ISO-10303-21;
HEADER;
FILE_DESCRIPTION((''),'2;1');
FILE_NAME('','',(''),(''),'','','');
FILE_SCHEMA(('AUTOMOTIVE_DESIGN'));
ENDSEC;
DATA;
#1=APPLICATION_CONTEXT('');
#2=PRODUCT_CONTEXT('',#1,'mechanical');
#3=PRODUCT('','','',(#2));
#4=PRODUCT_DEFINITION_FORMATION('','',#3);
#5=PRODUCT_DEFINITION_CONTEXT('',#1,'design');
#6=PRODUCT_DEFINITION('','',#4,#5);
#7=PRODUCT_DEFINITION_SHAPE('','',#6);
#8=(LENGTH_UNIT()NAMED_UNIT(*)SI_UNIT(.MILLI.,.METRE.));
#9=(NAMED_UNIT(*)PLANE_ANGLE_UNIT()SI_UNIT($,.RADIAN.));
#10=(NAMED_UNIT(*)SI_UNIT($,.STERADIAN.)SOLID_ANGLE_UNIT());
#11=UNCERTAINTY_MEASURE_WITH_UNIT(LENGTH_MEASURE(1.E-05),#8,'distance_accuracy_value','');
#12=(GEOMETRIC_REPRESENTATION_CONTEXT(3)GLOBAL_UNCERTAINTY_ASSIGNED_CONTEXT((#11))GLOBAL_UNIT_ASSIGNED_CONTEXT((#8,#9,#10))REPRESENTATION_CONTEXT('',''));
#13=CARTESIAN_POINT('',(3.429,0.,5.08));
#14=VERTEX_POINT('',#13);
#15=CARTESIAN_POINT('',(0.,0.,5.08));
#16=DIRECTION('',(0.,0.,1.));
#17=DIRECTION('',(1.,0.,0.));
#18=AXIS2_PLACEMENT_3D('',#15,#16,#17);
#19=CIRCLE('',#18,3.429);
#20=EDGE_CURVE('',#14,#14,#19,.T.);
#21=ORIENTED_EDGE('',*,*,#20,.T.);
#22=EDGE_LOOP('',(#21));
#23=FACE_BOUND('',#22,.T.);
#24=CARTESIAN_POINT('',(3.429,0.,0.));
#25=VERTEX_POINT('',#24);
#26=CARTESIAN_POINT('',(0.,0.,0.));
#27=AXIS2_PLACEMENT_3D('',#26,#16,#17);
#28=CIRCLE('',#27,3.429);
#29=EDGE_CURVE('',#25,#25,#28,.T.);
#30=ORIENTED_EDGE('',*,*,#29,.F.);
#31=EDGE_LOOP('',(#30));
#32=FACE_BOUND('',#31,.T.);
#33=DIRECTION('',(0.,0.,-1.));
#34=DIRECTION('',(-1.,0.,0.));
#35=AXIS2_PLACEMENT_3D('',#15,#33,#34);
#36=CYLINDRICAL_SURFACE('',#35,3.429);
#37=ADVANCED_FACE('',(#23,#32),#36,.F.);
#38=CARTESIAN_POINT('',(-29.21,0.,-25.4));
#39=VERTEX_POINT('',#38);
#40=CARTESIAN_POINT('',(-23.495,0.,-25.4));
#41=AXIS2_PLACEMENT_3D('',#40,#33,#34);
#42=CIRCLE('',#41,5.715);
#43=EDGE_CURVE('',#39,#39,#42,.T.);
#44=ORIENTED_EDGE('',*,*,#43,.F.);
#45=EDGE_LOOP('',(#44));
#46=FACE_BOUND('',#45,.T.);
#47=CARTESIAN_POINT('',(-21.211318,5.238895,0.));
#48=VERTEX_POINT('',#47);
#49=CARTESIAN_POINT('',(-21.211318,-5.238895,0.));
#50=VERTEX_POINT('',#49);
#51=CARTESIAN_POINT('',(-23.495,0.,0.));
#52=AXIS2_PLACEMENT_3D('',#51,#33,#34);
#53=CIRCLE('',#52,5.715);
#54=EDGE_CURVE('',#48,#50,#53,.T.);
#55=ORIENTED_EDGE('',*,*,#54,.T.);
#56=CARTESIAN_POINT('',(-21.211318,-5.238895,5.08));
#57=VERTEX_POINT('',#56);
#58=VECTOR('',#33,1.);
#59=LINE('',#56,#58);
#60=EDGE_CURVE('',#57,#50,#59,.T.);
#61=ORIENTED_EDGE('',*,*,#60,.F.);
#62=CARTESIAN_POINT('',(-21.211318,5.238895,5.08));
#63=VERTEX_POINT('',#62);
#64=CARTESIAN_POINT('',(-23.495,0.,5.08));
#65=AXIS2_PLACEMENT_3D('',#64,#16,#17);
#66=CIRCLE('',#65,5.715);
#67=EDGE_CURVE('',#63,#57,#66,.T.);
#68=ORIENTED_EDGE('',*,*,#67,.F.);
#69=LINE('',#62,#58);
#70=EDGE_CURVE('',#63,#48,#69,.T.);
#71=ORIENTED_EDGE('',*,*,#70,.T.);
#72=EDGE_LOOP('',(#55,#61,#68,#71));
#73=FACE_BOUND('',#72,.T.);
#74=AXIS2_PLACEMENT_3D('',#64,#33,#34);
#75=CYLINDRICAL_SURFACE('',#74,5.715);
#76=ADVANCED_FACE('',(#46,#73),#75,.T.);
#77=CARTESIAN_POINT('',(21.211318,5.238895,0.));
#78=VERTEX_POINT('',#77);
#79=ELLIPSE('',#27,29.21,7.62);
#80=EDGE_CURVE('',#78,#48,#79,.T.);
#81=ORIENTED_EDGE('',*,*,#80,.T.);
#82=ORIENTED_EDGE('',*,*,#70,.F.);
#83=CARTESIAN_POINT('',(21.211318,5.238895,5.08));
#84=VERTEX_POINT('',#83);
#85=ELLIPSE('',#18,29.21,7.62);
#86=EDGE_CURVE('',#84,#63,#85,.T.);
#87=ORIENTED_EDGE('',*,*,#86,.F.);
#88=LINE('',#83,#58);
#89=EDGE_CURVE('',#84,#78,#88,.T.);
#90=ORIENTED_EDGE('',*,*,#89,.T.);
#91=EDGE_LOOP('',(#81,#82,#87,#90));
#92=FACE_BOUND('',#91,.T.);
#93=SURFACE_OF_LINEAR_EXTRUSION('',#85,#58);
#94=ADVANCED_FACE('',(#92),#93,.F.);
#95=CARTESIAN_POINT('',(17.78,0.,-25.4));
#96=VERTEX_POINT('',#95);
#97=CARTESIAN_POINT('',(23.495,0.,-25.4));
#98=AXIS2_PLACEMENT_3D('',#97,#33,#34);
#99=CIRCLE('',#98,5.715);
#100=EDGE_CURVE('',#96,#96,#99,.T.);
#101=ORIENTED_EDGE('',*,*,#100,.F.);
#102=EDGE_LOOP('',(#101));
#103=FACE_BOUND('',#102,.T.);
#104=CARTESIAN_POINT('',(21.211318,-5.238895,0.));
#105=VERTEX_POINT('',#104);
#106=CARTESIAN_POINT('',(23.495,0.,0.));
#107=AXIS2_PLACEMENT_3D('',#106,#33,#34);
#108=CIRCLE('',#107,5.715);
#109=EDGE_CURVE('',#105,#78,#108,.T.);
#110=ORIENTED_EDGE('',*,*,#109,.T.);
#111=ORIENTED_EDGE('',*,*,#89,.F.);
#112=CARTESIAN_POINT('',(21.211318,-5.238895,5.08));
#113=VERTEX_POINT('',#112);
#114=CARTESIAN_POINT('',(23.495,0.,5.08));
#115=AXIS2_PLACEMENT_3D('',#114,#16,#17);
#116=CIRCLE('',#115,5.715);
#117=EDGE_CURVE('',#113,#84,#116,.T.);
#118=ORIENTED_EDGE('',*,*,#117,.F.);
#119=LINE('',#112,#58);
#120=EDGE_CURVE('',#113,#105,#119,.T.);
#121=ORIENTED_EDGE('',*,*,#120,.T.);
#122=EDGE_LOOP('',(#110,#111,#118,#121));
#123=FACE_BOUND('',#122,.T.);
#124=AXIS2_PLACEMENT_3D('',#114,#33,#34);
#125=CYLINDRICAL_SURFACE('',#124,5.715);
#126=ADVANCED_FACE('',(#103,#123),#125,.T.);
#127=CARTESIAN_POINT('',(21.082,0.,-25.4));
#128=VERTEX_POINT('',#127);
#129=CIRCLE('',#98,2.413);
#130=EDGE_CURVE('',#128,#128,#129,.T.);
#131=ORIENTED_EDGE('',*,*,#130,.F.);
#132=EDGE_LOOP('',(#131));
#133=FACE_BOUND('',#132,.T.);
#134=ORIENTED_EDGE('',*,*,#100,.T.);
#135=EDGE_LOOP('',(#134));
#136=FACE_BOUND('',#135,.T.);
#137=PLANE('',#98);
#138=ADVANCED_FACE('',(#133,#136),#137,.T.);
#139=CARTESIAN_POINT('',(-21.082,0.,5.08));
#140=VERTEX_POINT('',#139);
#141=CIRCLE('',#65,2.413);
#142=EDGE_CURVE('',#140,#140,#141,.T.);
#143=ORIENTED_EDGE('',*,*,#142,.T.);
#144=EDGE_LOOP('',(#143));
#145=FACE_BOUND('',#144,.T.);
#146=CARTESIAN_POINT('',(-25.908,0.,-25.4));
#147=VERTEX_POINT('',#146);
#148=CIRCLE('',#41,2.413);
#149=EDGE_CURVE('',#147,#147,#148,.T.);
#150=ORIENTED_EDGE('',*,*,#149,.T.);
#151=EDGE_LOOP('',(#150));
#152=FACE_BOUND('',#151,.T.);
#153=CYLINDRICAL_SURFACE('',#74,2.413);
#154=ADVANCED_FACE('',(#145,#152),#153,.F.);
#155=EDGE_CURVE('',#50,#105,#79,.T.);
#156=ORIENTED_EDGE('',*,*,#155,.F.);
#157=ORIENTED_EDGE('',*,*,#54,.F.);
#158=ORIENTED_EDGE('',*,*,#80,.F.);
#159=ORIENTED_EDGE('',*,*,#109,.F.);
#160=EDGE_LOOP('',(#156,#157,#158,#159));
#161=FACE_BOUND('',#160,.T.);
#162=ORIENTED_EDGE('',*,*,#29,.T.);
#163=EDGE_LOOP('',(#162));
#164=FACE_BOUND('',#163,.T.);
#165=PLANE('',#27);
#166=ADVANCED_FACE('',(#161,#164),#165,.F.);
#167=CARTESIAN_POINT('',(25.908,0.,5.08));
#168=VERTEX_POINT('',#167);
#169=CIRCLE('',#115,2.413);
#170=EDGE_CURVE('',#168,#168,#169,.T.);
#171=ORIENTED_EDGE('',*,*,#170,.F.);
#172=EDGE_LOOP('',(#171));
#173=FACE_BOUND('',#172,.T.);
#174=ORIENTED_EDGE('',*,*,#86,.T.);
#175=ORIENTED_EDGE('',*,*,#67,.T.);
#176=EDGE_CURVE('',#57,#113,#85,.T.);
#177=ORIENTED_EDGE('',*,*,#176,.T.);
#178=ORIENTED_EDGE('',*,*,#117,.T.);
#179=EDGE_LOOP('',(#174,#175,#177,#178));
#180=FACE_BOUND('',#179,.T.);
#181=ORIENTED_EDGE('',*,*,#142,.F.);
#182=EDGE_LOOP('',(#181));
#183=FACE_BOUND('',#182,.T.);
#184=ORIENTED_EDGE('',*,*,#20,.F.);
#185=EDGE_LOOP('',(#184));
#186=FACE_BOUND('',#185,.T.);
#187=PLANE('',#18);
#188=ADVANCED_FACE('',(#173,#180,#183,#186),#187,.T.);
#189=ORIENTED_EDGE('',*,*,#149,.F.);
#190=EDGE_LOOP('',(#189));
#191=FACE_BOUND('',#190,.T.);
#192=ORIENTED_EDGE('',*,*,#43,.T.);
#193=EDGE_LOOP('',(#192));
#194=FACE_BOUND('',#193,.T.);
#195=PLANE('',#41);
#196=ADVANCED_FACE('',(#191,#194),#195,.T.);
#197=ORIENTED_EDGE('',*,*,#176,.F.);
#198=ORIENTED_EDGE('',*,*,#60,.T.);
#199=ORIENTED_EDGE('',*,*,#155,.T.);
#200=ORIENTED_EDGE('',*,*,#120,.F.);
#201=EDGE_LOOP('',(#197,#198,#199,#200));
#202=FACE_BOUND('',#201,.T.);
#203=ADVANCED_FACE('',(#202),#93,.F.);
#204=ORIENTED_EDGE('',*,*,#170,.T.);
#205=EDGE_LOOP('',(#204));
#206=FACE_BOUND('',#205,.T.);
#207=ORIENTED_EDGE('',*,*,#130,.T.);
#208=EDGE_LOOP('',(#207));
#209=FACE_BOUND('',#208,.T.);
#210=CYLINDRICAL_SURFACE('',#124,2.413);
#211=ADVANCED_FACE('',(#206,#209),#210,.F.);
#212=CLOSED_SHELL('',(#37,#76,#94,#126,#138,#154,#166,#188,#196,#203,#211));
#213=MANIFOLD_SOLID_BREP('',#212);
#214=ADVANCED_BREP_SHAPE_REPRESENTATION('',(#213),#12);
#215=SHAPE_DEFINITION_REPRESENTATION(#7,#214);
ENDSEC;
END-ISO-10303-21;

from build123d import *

# Parameters (mm, degrees)
SKETCH1_R           = 2.413
SKETCH1_R_2         = 3.429
BOSS_EXTRUDE1_DEPTH = 5.08
SKETCH2_R           = 5.715
SKETCH2_R_2         = 2.413
BOSS_EXTRUDE2_DEPTH = 25.4


with BuildPart() as part:
    # Sketch1 → Boss-Extrude1 (new body)
    with BuildSketch(Plane.XY):
        with BuildLine():
            ThreePointArc((21.211318458, -5.238895267), (29.21, 0), (21.211318458, 5.238895267))
            add(Edge.make_bspline(
                [(21.211318458, 5.238895267), (0, 11.083329031), (-21.211318458, 5.238895267)],
                knots=[3.899659671, 3.899659671, 3.899659671, 5.525118289, 5.525118289, 5.525118289], degree=2, weights=[1, 0.687519064, 1]))
            ThreePointArc((-21.211318458, 5.238895267), (-29.21, 0), (-21.211318458, -5.238895267))
            add(Edge.make_bspline(
                [(-21.211318458, -5.238895267), (0, -11.083329031), (21.211318458, -5.238895267)],
                knots=[0.758067018, 0.758067018, 0.758067018, 2.383525636, 2.383525636, 2.383525636], degree=2, weights=[1, 0.687519064, 1]))
        make_face()
        with Locations((-23.495, 0)):
            Circle(SKETCH1_R, mode=Mode.SUBTRACT)
        Circle(SKETCH1_R_2, mode=Mode.SUBTRACT)
        with Locations((23.495, 0)):
            Circle(SKETCH1_R, mode=Mode.SUBTRACT)
    extrude(amount=BOSS_EXTRUDE1_DEPTH)

    # Sketch2 → Boss-Extrude2 (add)
    with BuildSketch(Plane(origin=(0, 0, 0), x_dir=(-1, 0, 0), z_dir=(0, 0, -1))):
        with Locations((-23.495, 0)):
            Circle(SKETCH2_R)
        with Locations((-23.495, 0)):
            Circle(SKETCH2_R_2, mode=Mode.SUBTRACT)
        with Locations((23.495, 0)):
            Circle(SKETCH2_R)
        with Locations((23.495, 0)):
            Circle(SKETCH2_R_2, mode=Mode.SUBTRACT)
    extrude(amount=BOSS_EXTRUDE2_DEPTH)


solid = part.part
